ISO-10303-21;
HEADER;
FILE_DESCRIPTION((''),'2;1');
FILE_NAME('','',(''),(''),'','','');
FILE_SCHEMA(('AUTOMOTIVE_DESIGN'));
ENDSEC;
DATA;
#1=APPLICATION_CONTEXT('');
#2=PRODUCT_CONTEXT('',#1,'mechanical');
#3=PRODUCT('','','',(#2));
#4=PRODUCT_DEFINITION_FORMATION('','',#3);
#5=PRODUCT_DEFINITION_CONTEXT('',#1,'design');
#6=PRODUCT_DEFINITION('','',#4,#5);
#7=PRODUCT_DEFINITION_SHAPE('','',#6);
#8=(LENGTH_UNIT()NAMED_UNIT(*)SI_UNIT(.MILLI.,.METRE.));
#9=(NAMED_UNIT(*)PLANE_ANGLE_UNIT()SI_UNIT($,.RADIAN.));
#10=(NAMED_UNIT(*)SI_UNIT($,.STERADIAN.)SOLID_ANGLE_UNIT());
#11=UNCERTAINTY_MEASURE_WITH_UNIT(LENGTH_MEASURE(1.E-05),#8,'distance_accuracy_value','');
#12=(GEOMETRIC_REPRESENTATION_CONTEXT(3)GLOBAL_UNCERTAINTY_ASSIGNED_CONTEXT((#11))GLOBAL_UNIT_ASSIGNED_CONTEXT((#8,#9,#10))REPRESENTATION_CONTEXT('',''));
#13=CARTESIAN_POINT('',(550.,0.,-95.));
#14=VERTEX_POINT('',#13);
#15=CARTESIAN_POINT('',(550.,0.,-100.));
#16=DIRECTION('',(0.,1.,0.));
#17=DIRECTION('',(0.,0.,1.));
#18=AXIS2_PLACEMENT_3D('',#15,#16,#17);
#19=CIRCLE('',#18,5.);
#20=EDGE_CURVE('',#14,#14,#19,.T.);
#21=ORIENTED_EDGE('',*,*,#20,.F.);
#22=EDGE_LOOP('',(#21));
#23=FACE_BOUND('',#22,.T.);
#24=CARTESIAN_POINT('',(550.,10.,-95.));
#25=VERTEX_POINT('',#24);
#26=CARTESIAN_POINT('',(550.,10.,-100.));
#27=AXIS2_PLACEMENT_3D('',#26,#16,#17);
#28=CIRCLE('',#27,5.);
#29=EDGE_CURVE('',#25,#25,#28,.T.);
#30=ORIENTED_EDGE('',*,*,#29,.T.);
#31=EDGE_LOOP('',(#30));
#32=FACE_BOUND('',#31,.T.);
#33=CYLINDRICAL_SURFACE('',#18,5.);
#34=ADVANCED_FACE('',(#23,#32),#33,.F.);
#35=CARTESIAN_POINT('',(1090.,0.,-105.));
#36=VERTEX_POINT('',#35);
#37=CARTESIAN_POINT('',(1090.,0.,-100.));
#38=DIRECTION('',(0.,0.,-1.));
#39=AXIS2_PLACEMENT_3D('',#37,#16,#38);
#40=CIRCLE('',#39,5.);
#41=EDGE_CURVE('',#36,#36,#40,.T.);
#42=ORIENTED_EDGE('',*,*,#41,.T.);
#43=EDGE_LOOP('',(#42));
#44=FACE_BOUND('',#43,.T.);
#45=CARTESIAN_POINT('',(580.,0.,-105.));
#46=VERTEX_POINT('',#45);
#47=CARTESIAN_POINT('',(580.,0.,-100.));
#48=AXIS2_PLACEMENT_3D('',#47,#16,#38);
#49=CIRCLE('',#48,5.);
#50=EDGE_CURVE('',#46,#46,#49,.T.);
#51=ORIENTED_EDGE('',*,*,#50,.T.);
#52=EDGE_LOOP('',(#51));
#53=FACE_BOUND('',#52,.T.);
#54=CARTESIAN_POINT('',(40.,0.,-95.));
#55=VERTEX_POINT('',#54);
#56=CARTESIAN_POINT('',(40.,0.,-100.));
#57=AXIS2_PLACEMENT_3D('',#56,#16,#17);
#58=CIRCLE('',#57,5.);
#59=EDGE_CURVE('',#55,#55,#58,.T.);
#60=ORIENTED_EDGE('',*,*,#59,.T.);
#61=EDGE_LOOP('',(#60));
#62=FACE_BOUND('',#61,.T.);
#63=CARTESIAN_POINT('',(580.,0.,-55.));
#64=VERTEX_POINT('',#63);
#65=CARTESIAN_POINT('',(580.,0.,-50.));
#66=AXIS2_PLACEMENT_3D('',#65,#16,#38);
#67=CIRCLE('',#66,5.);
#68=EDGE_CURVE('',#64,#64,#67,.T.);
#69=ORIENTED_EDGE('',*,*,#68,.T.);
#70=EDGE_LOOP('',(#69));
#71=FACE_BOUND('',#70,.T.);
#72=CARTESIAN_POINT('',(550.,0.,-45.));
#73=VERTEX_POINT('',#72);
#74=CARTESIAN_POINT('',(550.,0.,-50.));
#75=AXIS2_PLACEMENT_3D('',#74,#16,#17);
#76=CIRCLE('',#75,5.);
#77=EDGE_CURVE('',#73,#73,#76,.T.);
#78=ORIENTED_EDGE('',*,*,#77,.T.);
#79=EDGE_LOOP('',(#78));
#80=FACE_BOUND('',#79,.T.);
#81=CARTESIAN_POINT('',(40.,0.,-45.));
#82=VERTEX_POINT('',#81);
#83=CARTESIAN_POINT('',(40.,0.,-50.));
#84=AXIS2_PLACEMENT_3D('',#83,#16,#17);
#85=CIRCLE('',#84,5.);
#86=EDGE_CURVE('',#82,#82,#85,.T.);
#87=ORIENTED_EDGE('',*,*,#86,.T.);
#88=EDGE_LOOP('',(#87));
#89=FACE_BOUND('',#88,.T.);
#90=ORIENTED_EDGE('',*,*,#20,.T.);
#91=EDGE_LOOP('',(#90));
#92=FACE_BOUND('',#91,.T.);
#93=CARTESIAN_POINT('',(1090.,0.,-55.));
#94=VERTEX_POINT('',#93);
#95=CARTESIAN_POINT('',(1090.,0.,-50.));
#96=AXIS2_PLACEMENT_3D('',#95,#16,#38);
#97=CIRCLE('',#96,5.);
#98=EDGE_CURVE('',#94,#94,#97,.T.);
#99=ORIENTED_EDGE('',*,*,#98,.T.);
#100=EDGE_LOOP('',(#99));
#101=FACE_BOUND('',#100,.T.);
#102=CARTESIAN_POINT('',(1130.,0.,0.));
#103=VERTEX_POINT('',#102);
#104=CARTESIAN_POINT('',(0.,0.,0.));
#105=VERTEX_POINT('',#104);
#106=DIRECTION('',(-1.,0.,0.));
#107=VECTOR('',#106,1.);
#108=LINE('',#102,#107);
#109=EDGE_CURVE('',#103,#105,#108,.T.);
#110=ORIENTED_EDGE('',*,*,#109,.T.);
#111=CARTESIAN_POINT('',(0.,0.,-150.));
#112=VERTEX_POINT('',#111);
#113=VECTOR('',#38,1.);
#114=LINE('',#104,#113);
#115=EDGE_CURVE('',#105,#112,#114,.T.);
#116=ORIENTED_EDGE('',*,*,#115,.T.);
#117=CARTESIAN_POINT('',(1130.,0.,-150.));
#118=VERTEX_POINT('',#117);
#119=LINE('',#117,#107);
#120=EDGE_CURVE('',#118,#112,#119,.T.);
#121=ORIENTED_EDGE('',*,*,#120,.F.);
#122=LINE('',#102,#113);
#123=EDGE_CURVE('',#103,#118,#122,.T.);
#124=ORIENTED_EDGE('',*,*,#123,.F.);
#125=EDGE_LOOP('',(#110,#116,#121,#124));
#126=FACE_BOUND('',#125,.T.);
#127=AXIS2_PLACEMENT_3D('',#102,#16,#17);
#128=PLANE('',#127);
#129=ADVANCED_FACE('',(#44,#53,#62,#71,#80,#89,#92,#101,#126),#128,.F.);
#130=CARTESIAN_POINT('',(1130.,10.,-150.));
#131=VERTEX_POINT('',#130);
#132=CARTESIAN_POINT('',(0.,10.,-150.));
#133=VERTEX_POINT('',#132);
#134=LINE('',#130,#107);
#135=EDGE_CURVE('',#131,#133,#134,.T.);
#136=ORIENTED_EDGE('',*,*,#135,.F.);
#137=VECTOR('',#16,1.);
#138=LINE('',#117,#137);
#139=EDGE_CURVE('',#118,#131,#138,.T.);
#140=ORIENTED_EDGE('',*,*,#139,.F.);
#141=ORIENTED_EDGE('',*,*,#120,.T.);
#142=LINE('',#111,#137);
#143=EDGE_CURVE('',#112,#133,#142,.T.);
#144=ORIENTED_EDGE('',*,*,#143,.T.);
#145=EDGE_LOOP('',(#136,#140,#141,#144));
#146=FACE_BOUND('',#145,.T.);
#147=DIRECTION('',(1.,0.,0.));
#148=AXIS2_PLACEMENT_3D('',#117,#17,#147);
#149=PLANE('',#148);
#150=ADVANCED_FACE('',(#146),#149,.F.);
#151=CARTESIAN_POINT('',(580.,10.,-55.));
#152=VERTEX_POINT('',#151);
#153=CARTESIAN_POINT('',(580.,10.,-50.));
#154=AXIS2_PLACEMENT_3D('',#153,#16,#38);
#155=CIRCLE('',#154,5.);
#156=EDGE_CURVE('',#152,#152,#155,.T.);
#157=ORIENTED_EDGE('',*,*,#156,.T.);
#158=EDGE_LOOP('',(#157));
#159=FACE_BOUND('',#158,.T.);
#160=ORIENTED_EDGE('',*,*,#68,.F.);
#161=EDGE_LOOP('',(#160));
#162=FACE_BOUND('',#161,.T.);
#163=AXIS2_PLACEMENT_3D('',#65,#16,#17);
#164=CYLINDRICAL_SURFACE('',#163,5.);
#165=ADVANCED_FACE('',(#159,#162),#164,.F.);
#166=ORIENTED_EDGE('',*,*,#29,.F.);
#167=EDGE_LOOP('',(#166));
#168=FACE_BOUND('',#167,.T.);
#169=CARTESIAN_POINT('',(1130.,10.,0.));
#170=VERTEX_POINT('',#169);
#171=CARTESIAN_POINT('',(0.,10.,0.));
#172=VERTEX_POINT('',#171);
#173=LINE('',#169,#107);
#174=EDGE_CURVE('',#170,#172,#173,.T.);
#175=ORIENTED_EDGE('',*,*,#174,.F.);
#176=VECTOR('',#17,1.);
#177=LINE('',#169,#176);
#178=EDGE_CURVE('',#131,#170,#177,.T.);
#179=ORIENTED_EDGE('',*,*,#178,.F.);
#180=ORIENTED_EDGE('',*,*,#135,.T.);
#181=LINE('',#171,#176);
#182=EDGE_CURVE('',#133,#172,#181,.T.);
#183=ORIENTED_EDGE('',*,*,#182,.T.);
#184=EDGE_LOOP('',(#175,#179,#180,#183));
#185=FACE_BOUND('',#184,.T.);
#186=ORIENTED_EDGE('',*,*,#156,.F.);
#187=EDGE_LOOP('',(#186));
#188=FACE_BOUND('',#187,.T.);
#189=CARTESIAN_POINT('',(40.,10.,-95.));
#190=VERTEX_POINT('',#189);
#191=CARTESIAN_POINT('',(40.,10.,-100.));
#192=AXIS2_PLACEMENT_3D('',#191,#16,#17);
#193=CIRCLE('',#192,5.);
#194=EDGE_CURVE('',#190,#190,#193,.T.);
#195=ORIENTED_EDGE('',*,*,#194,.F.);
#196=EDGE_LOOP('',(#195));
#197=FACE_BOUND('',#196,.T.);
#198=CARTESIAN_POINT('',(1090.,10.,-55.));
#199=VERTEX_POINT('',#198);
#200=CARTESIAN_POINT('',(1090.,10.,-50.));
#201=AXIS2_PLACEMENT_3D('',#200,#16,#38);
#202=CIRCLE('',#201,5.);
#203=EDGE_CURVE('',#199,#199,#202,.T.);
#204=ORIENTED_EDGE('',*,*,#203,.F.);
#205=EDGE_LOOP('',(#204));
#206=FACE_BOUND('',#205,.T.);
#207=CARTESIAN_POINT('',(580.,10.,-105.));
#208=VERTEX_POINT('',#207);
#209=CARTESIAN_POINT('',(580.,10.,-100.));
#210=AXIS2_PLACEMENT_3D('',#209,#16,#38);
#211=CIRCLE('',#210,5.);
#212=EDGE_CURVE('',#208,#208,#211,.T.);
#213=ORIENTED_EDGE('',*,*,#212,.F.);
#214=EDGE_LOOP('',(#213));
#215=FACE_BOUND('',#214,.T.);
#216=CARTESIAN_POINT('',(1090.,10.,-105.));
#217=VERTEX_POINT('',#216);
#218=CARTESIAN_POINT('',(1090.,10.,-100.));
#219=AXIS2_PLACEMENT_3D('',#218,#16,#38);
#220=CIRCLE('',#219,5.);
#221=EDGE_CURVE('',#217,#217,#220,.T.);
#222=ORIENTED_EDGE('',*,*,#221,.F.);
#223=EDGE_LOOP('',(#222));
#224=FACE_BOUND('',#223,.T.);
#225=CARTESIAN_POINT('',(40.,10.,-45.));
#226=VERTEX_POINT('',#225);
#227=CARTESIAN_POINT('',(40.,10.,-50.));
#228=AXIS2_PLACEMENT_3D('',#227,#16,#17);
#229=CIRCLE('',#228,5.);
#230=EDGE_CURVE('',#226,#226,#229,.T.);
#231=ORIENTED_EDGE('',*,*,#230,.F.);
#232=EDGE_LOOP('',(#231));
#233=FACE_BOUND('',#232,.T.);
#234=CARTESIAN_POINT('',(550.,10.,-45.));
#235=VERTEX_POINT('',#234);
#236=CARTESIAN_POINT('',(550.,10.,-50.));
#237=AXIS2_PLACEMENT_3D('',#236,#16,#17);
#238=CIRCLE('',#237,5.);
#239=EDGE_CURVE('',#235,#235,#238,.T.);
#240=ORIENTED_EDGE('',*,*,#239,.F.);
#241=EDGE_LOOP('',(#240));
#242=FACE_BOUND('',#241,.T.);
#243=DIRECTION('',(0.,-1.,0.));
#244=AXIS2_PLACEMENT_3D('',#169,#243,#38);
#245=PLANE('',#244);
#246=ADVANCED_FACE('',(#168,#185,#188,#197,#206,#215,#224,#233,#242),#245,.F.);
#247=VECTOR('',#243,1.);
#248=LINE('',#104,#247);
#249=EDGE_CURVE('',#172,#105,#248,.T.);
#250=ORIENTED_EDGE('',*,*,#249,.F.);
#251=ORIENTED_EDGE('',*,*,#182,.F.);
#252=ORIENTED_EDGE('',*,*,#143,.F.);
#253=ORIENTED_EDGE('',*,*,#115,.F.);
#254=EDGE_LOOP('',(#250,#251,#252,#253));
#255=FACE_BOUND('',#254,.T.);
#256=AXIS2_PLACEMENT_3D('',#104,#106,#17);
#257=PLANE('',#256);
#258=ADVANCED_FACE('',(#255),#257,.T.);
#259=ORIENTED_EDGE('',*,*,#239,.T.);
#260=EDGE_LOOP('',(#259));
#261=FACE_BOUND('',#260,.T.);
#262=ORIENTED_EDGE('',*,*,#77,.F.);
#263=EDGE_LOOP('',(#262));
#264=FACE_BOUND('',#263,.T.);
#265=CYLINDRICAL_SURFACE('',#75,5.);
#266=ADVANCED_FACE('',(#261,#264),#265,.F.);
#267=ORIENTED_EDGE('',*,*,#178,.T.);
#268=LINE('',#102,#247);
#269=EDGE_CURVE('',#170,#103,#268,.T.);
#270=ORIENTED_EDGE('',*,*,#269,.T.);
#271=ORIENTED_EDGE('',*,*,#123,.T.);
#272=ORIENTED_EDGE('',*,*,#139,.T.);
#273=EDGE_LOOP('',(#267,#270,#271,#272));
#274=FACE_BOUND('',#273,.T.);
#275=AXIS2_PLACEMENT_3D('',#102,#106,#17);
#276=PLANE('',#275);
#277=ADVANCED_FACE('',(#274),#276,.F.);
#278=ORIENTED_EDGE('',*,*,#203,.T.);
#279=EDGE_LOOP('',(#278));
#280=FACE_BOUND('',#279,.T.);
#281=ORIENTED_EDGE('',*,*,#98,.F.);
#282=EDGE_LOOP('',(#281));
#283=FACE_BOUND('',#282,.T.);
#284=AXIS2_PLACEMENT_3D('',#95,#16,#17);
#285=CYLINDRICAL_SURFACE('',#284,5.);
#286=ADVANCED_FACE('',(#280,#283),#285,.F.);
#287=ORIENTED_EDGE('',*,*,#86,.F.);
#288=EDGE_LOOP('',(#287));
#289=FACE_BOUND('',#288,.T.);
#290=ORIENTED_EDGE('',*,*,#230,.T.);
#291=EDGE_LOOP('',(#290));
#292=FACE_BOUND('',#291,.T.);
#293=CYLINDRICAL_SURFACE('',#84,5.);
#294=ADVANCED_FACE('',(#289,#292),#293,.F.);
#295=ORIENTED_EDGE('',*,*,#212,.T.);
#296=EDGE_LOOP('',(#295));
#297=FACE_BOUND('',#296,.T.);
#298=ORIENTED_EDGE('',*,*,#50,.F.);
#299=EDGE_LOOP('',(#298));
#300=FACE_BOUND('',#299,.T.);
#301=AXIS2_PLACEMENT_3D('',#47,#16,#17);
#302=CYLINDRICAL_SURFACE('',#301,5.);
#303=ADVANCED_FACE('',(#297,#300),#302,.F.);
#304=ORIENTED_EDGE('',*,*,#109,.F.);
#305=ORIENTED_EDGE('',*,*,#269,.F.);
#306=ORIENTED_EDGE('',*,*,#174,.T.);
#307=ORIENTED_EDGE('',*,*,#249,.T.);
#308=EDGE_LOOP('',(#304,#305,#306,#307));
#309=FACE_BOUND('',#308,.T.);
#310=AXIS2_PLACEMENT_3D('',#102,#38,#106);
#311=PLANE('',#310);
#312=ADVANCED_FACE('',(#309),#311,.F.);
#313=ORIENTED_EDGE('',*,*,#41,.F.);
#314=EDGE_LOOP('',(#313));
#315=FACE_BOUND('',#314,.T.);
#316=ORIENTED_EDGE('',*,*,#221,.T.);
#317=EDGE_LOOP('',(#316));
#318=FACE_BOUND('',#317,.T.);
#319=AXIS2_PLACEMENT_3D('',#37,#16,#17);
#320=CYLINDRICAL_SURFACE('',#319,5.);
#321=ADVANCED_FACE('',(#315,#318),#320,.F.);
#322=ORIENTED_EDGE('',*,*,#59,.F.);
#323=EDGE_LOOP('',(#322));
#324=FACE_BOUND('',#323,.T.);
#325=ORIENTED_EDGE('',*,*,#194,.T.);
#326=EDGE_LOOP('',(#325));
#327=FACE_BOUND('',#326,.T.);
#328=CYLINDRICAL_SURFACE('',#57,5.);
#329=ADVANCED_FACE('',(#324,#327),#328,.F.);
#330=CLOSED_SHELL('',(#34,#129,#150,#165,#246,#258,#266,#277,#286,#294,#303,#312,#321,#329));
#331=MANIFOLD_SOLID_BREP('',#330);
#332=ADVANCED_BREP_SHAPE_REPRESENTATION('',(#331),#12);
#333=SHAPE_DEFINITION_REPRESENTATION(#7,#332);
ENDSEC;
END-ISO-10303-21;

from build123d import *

# Parameters (mm, degrees)
SKETCH_1_W          = 150
SKETCH_1_H          = 10
EXTRUDE_1_DEPTH     = 1130
SKETCH_2_R          = 5
CUT_EXTRUDE_1_DEPTH = 11


with BuildPart() as part:
    # Эскиз1 → Бобышка-Вытянуть1 (new body)
    with BuildSketch(Plane(origin=(0, 0, 0), x_dir=(0, 0, -1), z_dir=(1, 0, 0))):
        with Locations((75, 5)):
            Rectangle(SKETCH_1_W, SKETCH_1_H)
    extrude(amount=EXTRUDE_1_DEPTH)

    # Эскиз2 → Вырез-Вытянуть1 (cut, through all)
    with BuildSketch(Plane(origin=(0, 10, 0), x_dir=(1, 0, 0), z_dir=(0, 1, 0))):
        with Locations((40, 50)):
            Circle(SKETCH_2_R)
        with Locations((550, 50)):
            Circle(SKETCH_2_R)
        with Locations((550, 100)):
            Circle(SKETCH_2_R)
        with Locations((40, 100)):
            Circle(SKETCH_2_R)
        with Locations((1090, 100)):
            Circle(SKETCH_2_R)
        with Locations((580, 100)):
            Circle(SKETCH_2_R)
        with Locations((580, 50)):
            Circle(SKETCH_2_R)
        with Locations((1090, 50)):
            Circle(SKETCH_2_R)
    extrude(amount=-CUT_EXTRUDE_1_DEPTH, mode=Mode.SUBTRACT)


solid = part.part
